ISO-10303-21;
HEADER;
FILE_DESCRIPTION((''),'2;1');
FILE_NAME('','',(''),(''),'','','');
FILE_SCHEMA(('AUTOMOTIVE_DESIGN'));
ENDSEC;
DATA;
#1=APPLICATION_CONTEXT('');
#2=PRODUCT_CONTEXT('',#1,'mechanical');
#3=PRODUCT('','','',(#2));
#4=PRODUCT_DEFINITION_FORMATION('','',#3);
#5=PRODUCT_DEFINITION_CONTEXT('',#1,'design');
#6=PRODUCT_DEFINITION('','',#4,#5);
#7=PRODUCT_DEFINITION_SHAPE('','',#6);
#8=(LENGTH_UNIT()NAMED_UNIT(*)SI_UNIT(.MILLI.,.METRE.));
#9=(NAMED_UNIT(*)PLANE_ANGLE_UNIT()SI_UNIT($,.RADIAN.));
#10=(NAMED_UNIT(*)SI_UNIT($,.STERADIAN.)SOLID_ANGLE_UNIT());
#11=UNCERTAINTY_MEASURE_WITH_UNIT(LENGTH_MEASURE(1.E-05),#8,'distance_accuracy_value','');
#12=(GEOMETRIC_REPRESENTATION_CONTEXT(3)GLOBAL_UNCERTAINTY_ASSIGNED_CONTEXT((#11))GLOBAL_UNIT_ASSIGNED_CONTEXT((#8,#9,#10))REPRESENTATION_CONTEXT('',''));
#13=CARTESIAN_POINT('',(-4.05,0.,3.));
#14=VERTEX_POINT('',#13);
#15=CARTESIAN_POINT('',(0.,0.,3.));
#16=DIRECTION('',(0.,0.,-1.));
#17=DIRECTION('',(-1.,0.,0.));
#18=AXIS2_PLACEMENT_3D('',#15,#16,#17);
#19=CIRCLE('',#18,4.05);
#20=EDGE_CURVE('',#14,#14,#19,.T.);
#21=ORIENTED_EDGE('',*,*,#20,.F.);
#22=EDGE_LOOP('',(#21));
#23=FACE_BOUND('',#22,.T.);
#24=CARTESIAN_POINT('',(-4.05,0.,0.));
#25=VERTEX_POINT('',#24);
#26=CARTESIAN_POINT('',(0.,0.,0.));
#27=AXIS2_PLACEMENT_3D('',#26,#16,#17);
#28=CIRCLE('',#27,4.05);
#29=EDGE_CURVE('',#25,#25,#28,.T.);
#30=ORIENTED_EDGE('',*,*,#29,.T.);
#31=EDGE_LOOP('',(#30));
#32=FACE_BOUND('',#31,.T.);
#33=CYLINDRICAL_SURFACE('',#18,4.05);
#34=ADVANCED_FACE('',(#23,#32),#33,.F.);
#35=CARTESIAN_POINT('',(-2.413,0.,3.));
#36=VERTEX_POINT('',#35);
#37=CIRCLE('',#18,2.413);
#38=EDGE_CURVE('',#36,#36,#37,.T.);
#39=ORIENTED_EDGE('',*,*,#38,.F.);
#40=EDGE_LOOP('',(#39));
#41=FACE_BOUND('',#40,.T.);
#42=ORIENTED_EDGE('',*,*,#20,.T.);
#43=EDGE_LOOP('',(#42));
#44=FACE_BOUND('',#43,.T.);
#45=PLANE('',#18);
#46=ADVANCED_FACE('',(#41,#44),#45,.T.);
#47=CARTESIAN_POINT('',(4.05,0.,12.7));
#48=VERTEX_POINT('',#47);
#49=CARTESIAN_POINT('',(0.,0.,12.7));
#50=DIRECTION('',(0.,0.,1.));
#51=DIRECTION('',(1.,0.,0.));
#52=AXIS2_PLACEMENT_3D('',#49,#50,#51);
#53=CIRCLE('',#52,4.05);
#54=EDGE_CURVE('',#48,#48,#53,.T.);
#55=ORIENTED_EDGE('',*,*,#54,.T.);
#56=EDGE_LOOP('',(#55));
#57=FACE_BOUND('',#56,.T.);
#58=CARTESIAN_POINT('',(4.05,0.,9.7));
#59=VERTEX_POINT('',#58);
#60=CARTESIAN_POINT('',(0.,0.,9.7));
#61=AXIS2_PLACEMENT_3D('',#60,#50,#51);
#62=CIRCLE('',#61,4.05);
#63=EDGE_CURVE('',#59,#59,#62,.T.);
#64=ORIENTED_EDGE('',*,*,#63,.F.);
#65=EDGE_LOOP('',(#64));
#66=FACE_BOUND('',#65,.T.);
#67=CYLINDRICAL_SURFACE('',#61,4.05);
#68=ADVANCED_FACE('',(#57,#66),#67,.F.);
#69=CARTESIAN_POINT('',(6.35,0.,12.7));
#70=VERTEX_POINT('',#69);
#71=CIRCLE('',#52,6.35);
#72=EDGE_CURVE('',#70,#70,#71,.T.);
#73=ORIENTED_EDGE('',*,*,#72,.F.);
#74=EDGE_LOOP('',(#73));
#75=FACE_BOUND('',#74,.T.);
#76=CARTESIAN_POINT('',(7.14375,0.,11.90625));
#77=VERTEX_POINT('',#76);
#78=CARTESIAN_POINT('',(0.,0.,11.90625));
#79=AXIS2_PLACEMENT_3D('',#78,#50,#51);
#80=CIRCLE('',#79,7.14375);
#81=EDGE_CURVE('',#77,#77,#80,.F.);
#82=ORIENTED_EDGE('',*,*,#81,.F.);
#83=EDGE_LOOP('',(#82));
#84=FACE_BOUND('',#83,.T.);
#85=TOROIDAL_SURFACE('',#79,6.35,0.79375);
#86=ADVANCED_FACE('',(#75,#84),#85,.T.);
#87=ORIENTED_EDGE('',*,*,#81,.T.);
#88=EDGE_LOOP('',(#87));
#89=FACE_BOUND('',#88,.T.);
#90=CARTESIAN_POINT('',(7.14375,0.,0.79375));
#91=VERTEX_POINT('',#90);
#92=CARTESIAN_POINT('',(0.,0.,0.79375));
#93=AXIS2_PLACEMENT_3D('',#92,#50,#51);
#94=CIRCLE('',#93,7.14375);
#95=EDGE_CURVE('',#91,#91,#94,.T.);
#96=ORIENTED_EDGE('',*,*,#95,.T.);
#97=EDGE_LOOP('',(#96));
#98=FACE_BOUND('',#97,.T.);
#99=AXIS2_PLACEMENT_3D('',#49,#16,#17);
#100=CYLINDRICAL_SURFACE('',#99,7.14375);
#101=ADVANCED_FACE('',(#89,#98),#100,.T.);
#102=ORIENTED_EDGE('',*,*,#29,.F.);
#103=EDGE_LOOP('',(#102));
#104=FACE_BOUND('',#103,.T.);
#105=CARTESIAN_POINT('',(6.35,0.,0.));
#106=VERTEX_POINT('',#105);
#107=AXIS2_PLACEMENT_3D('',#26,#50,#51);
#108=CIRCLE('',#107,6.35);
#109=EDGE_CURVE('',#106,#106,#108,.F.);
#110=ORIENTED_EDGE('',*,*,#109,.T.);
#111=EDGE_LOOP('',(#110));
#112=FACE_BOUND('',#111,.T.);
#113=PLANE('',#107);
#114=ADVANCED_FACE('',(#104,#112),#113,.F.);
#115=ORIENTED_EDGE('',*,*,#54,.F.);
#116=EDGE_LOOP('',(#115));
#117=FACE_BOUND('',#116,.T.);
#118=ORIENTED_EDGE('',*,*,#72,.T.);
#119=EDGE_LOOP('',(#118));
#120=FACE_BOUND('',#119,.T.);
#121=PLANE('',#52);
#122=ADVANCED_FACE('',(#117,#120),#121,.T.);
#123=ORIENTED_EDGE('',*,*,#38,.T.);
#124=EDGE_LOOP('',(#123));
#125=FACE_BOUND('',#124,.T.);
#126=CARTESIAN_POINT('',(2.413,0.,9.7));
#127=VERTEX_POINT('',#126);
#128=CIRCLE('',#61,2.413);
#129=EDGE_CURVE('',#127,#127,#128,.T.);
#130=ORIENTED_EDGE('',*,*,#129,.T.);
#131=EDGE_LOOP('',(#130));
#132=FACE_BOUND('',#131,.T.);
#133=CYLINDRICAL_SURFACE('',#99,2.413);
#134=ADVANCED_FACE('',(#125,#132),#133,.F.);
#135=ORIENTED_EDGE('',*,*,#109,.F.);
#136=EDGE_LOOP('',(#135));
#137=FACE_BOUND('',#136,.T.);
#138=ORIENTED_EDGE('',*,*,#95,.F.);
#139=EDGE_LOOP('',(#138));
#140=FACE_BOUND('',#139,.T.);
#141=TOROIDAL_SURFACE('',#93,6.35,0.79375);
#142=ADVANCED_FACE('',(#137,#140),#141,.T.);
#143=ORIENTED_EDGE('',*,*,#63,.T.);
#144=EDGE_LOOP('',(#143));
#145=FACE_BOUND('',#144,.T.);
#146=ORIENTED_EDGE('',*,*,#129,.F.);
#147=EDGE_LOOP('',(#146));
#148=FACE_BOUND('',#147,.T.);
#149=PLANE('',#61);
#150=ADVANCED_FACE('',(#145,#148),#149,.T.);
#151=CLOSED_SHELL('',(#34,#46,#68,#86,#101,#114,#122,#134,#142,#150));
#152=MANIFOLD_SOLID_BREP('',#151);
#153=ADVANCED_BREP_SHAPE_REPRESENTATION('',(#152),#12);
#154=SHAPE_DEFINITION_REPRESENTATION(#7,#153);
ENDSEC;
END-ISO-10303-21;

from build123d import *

# Parameters (mm, degrees)
SKETCH1_R           = 7.14375
SKETCH1_R_2         = 2.413
BOSS_EXTRUDE1_DEPTH = 12.7
SKETCH2_R           = 4.05
CUT_EXTRUDE1_DEPTH  = 3
CUT_EXTRUDE2_START  = -3
SKETCH3_R           = 4.05
CUT_EXTRUDE2_DEPTH  = 3
FILLET1_R           = 0.79375


with BuildPart() as part:
    # Sketch1 → Boss-Extrude1 (new body)
    with BuildSketch(Plane.XY):
        Circle(SKETCH1_R)
        Circle(SKETCH1_R_2, mode=Mode.SUBTRACT)
    extrude(amount=BOSS_EXTRUDE1_DEPTH)

    # Sketch2 → Cut-Extrude1 (cut)
    with BuildSketch(Plane.XY.offset(12.7)):
        Circle(SKETCH2_R)
    extrude(amount=-CUT_EXTRUDE1_DEPTH, mode=Mode.SUBTRACT)

    # Sketch3 → Cut-Extrude2 (cut)
    with BuildSketch(Plane(origin=(0, 0, 0), x_dir=(-1, 0, 0), z_dir=(0, 0, -1)).offset(CUT_EXTRUDE2_START)):
        with Locations(Location((0, 0, 0), (0, 0, 180))):
            Circle(SKETCH3_R)
    extrude(amount=CUT_EXTRUDE2_DEPTH, mode=Mode.SUBTRACT)

    # Fillet1
    fillet1_edges = [part.edges().sort_by_distance(p)[0] for p in [
        (-7.14375, 0, 0),
        (-7.14375, 0, 12.7),
    ]]
    fillet(fillet1_edges, radius=FILLET1_R)


solid = part.part
